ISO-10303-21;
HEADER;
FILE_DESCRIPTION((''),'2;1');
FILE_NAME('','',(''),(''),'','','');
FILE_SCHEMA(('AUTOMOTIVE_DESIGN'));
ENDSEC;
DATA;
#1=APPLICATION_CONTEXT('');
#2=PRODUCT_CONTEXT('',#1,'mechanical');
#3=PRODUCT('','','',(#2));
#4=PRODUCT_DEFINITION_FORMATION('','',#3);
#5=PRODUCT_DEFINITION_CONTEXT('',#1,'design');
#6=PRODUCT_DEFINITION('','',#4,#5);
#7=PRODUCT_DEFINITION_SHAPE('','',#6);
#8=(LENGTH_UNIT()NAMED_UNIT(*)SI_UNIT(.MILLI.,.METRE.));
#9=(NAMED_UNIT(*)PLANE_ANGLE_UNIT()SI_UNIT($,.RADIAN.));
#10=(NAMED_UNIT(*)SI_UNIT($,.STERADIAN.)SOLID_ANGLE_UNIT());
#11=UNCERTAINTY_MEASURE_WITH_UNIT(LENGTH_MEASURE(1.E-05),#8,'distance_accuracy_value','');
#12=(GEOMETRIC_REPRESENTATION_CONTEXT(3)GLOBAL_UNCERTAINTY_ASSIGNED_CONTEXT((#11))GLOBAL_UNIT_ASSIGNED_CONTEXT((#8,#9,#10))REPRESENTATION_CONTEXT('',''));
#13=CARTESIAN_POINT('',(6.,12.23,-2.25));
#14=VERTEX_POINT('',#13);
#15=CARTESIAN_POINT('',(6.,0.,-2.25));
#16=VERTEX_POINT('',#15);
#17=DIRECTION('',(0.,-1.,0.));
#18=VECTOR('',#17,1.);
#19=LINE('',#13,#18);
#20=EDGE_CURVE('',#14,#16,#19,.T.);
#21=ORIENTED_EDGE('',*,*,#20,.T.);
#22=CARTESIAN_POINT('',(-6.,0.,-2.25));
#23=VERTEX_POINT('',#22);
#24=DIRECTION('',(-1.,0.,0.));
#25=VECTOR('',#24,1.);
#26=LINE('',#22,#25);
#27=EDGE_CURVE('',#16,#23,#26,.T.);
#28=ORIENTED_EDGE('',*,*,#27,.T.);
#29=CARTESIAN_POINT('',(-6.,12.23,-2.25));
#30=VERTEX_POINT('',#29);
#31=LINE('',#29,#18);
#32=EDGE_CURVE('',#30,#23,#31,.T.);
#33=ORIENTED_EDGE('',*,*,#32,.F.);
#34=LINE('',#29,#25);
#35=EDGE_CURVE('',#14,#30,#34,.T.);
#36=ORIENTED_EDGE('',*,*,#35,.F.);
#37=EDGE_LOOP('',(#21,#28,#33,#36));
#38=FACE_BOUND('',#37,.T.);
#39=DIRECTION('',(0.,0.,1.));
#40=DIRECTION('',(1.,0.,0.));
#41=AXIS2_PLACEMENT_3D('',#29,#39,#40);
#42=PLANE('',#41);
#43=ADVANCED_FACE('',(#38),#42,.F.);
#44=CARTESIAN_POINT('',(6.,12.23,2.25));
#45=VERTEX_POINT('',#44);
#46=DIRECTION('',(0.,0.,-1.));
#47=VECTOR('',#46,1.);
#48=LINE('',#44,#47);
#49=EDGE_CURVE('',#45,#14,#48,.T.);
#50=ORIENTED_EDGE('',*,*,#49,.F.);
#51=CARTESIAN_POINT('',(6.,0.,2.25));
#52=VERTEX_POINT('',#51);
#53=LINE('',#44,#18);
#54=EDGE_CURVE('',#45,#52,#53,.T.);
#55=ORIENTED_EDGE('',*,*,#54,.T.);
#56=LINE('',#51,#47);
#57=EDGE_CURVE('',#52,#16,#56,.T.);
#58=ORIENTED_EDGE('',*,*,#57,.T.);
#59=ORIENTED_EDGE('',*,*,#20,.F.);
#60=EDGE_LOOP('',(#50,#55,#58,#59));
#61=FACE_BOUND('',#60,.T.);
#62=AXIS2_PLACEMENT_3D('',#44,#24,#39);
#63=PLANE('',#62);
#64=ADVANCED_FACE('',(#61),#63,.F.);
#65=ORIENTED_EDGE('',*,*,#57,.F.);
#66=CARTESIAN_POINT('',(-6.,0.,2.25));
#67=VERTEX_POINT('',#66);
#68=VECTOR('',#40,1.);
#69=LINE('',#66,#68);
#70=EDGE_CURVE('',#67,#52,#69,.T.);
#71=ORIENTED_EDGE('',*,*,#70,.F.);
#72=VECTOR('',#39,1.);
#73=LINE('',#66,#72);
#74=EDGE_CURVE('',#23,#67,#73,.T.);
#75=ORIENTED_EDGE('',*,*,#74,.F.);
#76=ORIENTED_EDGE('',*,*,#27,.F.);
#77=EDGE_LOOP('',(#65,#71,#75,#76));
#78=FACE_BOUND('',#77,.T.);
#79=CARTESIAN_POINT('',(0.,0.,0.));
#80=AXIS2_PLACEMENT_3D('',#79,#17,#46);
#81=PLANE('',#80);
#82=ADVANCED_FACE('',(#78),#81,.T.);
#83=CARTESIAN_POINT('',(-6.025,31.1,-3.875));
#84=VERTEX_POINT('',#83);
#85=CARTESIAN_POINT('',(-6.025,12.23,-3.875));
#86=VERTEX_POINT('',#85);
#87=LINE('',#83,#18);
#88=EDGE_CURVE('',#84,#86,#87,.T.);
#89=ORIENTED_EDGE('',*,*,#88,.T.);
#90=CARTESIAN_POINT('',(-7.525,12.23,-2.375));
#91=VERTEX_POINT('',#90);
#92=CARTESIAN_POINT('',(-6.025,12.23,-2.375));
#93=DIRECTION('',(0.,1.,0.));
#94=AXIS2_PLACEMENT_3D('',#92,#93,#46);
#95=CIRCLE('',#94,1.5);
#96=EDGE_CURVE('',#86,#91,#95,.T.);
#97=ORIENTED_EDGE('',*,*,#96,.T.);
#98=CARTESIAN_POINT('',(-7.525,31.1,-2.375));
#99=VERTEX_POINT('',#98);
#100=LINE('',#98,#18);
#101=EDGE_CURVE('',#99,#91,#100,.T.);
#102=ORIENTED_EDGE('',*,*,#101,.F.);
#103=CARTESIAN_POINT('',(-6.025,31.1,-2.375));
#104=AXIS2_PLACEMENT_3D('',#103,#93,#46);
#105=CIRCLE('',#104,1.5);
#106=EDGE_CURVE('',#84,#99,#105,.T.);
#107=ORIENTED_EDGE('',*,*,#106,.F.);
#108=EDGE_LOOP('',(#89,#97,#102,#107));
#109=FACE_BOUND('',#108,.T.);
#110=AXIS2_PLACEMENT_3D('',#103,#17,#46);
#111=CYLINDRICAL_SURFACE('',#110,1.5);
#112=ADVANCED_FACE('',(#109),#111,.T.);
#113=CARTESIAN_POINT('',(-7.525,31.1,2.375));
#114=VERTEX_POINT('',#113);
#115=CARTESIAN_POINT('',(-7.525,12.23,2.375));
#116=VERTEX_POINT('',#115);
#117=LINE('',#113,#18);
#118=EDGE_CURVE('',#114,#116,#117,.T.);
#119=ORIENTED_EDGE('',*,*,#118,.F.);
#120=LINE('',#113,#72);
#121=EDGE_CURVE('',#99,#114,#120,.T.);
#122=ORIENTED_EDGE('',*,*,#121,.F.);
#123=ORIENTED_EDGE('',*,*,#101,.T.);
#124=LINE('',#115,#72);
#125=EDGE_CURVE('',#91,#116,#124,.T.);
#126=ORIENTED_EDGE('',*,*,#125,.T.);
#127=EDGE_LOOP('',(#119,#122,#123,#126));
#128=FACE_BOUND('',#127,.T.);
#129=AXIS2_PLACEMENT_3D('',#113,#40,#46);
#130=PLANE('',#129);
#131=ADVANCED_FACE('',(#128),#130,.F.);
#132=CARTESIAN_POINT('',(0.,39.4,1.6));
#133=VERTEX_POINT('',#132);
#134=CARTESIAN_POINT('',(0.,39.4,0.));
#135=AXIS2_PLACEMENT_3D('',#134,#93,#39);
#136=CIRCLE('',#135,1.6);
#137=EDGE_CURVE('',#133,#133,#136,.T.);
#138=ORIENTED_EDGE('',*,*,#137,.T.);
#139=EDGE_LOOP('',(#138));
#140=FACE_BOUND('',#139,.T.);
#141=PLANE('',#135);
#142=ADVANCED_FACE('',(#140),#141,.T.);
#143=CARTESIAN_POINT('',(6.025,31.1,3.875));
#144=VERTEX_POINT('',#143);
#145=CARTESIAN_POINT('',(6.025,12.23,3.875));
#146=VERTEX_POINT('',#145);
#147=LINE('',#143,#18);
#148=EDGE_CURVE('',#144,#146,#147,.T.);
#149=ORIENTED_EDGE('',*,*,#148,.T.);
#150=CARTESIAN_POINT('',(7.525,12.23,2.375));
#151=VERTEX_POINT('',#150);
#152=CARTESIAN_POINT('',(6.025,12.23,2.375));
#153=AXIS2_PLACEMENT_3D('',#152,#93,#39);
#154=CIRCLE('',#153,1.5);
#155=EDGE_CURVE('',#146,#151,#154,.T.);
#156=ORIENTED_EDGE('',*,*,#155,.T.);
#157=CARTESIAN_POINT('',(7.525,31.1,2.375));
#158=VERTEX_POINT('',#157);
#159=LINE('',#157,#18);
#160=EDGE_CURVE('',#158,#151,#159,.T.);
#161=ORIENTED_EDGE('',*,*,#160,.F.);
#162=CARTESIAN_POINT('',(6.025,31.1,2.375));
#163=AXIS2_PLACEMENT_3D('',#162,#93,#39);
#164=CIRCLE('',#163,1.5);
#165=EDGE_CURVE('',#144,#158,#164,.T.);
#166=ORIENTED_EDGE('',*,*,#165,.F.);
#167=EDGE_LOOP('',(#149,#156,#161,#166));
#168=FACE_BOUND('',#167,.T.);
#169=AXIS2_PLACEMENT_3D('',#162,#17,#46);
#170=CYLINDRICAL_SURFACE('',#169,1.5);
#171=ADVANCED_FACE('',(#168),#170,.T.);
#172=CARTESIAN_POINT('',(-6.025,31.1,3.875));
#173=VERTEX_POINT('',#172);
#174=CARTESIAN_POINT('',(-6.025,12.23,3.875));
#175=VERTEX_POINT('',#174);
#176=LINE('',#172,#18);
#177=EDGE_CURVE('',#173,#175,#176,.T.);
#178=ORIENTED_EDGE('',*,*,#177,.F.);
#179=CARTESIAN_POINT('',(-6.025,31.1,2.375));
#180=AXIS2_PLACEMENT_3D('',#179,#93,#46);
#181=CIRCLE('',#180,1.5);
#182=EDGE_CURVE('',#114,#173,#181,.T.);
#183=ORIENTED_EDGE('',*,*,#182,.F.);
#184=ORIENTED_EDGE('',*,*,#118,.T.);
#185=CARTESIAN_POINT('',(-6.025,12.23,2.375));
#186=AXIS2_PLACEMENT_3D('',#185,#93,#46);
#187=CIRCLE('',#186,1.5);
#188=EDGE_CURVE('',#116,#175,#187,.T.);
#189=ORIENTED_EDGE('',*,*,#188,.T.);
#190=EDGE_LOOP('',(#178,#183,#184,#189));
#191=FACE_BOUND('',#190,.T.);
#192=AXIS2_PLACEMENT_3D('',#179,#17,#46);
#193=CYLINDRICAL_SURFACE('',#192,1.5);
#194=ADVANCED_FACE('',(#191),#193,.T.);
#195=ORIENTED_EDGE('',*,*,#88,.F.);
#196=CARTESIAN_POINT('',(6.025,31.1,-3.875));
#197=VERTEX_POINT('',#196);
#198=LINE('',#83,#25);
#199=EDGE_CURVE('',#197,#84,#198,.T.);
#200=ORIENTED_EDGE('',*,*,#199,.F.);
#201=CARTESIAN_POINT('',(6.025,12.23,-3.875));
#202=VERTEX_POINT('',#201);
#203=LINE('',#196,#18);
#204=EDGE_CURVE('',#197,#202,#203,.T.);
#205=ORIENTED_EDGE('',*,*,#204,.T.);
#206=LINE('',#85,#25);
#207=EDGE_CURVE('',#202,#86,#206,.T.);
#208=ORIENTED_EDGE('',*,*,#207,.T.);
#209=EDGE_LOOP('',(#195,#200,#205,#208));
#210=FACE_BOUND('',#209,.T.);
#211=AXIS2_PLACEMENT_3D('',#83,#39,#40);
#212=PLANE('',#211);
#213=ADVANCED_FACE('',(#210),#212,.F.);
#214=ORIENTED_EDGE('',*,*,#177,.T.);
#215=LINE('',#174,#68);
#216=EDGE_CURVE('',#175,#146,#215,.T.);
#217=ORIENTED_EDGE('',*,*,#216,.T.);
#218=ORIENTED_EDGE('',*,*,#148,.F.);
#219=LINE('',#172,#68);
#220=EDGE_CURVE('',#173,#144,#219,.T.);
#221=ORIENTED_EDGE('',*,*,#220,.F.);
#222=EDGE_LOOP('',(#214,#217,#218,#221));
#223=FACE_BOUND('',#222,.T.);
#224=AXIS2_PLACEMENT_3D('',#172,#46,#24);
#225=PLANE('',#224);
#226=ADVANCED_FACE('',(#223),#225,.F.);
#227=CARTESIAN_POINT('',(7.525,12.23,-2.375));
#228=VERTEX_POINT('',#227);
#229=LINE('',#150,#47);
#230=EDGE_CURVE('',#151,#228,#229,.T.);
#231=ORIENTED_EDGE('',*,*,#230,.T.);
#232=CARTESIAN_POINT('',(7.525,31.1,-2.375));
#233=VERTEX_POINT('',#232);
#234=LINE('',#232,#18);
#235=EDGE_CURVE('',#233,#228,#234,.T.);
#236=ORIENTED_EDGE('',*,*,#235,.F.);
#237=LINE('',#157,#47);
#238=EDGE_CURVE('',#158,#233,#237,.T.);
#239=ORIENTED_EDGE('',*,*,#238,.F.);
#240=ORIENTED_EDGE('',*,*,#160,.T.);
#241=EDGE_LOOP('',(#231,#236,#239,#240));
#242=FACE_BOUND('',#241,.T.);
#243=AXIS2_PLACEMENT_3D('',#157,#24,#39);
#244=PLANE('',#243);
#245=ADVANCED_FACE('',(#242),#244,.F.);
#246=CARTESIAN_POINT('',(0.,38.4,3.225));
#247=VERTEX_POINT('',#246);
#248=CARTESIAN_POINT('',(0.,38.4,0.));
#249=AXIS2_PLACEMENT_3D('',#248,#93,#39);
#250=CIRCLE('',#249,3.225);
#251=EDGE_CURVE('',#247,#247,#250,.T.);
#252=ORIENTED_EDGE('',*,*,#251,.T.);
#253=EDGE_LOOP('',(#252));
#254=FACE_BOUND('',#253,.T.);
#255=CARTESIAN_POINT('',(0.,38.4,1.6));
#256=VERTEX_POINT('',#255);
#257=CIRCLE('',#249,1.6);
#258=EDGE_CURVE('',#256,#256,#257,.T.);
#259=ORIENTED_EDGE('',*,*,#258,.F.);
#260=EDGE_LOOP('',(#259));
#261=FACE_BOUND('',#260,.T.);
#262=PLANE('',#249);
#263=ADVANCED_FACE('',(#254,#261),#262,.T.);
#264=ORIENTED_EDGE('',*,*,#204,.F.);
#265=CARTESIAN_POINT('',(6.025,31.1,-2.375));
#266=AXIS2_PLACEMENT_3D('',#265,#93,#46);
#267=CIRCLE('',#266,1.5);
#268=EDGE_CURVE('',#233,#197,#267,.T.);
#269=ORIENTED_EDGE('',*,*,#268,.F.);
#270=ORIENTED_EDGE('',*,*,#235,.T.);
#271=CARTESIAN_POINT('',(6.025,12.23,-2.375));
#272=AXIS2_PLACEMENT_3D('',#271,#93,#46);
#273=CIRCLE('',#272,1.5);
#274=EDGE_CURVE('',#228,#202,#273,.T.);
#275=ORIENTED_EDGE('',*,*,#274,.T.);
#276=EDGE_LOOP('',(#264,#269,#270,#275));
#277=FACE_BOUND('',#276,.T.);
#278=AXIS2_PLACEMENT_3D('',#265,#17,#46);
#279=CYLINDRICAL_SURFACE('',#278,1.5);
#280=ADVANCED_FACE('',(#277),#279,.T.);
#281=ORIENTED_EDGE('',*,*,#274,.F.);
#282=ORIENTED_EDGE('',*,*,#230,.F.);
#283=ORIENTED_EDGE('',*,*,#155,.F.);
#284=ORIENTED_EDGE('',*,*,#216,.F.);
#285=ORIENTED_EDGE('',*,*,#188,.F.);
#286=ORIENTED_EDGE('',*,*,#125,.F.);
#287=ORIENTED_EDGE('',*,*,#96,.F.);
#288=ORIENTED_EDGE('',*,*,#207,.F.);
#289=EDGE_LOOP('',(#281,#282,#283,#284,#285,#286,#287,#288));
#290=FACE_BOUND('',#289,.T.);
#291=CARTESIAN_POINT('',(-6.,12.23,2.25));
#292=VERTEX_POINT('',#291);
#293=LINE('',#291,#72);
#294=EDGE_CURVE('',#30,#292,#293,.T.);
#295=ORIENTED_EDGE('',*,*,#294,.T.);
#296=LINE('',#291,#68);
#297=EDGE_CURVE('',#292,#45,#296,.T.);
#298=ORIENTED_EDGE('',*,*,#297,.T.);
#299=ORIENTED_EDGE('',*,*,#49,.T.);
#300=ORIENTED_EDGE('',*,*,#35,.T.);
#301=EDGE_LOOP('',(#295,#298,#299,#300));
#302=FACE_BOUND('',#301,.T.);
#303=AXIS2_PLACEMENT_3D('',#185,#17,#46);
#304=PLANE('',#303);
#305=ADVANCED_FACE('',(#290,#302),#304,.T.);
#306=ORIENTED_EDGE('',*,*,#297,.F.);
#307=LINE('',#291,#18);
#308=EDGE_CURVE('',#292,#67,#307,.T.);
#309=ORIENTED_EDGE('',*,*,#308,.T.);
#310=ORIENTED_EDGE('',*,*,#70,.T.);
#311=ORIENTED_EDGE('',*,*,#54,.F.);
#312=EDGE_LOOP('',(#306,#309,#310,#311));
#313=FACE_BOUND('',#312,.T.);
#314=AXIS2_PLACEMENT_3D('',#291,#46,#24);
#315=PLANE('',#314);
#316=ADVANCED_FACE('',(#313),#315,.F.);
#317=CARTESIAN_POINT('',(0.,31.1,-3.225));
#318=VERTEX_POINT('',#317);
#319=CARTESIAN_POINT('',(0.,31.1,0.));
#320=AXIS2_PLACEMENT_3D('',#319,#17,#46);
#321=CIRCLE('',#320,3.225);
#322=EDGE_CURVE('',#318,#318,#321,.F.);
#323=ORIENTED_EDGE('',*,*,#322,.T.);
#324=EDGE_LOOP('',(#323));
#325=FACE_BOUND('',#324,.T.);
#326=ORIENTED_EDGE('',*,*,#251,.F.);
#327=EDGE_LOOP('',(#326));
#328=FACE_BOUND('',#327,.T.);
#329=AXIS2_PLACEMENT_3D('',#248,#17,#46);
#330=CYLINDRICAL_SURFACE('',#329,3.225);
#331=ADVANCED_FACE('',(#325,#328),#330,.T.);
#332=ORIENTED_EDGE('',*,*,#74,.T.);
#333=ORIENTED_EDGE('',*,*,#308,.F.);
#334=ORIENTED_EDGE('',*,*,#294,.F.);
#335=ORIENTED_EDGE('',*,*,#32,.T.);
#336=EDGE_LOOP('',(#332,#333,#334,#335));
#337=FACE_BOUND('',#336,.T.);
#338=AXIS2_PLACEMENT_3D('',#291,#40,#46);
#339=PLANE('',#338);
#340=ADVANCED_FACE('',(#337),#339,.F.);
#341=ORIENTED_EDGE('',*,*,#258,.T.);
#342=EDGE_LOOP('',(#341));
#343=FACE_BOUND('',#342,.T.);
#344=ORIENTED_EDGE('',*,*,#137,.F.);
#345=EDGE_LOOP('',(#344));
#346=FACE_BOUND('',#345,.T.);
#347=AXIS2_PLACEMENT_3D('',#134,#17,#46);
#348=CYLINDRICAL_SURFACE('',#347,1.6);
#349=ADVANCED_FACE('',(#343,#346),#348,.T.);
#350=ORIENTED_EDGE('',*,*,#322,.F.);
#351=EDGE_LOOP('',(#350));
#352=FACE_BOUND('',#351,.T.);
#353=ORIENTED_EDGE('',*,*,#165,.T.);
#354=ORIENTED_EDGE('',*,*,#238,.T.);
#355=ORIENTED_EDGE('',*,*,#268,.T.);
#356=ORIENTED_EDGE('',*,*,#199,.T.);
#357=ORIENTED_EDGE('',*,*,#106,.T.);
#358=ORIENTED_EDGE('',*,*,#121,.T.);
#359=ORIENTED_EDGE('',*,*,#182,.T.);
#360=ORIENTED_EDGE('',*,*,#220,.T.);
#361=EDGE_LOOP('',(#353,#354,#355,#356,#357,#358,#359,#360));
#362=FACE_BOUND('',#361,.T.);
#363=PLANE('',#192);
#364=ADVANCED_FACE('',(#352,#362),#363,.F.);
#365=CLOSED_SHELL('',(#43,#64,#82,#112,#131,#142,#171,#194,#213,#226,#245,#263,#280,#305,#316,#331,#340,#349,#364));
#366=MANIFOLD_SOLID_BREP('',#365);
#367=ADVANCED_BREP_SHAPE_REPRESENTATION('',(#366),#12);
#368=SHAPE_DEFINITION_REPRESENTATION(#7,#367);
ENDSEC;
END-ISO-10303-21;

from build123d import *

# Parameters (mm, degrees)
SKETCH1_W           = 12
SKETCH1_H           = 4.5
BOSS_EXTRUDE1_DEPTH = 12.23
BOSS_EXTRUDE2_DEPTH = 18.87
SKETCH3_R           = 3.225
BOSS_EXTRUDE3_DEPTH = 7.3
SKETCH4_R           = 1.6
BOSS_EXTRUDE4_DEPTH = 1


with BuildPart() as part:
    # Sketch1 → Boss-Extrude1 (new body)
    with BuildSketch(Plane(origin=(0, 0, 0), x_dir=(1, 0, 0), z_dir=(0, 1, 0))):
        Rectangle(SKETCH1_W, SKETCH1_H)
    extrude(amount=BOSS_EXTRUDE1_DEPTH)

    # Sketch2 → Boss-Extrude2 (add)
    with BuildSketch(Plane(origin=(0, 12.23, 0), x_dir=(1, 0, 0), z_dir=(0, 1, 0))):
        with BuildLine():
            Line((-6.025, -3.875), (6.025, -3.875))
            ThreePointArc((6.025, -3.875), (7.085660172, -3.435660172), (7.525, -2.375))
            Line((7.525, -2.375), (7.525, 2.375))
            ThreePointArc((7.525, 2.375), (7.085660172, 3.435660172), (6.025, 3.875))
            Line((6.025, 3.875), (-6.025, 3.875))
            ThreePointArc((-6.025, 3.875), (-7.085660172, 3.435660172), (-7.525, 2.375))
            Line((-7.525, 2.375), (-7.525, -2.375))
            ThreePointArc((-7.525, -2.375), (-7.085660172, -3.435660172), (-6.025, -3.875))
        make_face()
    extrude(amount=BOSS_EXTRUDE2_DEPTH)

    # Sketch3 → Boss-Extrude3 (add)
    with BuildSketch(Plane(origin=(0, 31.1, 0), x_dir=(1, 0, 0), z_dir=(0, 1, 0))):
        with Locations(Location((0, 0, 0), (0, 0, 90))):
            Circle(SKETCH3_R)
    extrude(amount=BOSS_EXTRUDE3_DEPTH)

    # Sketch4 → Boss-Extrude4 (add)
    with BuildSketch(Plane(origin=(0, 38.4, 0), x_dir=(1, 0, 0), z_dir=(0, 1, 0))):
        with Locations(Location((0, 0, 0), (0, 0, 270))):
            Circle(SKETCH4_R)
    extrude(amount=BOSS_EXTRUDE4_DEPTH)


solid = part.part
